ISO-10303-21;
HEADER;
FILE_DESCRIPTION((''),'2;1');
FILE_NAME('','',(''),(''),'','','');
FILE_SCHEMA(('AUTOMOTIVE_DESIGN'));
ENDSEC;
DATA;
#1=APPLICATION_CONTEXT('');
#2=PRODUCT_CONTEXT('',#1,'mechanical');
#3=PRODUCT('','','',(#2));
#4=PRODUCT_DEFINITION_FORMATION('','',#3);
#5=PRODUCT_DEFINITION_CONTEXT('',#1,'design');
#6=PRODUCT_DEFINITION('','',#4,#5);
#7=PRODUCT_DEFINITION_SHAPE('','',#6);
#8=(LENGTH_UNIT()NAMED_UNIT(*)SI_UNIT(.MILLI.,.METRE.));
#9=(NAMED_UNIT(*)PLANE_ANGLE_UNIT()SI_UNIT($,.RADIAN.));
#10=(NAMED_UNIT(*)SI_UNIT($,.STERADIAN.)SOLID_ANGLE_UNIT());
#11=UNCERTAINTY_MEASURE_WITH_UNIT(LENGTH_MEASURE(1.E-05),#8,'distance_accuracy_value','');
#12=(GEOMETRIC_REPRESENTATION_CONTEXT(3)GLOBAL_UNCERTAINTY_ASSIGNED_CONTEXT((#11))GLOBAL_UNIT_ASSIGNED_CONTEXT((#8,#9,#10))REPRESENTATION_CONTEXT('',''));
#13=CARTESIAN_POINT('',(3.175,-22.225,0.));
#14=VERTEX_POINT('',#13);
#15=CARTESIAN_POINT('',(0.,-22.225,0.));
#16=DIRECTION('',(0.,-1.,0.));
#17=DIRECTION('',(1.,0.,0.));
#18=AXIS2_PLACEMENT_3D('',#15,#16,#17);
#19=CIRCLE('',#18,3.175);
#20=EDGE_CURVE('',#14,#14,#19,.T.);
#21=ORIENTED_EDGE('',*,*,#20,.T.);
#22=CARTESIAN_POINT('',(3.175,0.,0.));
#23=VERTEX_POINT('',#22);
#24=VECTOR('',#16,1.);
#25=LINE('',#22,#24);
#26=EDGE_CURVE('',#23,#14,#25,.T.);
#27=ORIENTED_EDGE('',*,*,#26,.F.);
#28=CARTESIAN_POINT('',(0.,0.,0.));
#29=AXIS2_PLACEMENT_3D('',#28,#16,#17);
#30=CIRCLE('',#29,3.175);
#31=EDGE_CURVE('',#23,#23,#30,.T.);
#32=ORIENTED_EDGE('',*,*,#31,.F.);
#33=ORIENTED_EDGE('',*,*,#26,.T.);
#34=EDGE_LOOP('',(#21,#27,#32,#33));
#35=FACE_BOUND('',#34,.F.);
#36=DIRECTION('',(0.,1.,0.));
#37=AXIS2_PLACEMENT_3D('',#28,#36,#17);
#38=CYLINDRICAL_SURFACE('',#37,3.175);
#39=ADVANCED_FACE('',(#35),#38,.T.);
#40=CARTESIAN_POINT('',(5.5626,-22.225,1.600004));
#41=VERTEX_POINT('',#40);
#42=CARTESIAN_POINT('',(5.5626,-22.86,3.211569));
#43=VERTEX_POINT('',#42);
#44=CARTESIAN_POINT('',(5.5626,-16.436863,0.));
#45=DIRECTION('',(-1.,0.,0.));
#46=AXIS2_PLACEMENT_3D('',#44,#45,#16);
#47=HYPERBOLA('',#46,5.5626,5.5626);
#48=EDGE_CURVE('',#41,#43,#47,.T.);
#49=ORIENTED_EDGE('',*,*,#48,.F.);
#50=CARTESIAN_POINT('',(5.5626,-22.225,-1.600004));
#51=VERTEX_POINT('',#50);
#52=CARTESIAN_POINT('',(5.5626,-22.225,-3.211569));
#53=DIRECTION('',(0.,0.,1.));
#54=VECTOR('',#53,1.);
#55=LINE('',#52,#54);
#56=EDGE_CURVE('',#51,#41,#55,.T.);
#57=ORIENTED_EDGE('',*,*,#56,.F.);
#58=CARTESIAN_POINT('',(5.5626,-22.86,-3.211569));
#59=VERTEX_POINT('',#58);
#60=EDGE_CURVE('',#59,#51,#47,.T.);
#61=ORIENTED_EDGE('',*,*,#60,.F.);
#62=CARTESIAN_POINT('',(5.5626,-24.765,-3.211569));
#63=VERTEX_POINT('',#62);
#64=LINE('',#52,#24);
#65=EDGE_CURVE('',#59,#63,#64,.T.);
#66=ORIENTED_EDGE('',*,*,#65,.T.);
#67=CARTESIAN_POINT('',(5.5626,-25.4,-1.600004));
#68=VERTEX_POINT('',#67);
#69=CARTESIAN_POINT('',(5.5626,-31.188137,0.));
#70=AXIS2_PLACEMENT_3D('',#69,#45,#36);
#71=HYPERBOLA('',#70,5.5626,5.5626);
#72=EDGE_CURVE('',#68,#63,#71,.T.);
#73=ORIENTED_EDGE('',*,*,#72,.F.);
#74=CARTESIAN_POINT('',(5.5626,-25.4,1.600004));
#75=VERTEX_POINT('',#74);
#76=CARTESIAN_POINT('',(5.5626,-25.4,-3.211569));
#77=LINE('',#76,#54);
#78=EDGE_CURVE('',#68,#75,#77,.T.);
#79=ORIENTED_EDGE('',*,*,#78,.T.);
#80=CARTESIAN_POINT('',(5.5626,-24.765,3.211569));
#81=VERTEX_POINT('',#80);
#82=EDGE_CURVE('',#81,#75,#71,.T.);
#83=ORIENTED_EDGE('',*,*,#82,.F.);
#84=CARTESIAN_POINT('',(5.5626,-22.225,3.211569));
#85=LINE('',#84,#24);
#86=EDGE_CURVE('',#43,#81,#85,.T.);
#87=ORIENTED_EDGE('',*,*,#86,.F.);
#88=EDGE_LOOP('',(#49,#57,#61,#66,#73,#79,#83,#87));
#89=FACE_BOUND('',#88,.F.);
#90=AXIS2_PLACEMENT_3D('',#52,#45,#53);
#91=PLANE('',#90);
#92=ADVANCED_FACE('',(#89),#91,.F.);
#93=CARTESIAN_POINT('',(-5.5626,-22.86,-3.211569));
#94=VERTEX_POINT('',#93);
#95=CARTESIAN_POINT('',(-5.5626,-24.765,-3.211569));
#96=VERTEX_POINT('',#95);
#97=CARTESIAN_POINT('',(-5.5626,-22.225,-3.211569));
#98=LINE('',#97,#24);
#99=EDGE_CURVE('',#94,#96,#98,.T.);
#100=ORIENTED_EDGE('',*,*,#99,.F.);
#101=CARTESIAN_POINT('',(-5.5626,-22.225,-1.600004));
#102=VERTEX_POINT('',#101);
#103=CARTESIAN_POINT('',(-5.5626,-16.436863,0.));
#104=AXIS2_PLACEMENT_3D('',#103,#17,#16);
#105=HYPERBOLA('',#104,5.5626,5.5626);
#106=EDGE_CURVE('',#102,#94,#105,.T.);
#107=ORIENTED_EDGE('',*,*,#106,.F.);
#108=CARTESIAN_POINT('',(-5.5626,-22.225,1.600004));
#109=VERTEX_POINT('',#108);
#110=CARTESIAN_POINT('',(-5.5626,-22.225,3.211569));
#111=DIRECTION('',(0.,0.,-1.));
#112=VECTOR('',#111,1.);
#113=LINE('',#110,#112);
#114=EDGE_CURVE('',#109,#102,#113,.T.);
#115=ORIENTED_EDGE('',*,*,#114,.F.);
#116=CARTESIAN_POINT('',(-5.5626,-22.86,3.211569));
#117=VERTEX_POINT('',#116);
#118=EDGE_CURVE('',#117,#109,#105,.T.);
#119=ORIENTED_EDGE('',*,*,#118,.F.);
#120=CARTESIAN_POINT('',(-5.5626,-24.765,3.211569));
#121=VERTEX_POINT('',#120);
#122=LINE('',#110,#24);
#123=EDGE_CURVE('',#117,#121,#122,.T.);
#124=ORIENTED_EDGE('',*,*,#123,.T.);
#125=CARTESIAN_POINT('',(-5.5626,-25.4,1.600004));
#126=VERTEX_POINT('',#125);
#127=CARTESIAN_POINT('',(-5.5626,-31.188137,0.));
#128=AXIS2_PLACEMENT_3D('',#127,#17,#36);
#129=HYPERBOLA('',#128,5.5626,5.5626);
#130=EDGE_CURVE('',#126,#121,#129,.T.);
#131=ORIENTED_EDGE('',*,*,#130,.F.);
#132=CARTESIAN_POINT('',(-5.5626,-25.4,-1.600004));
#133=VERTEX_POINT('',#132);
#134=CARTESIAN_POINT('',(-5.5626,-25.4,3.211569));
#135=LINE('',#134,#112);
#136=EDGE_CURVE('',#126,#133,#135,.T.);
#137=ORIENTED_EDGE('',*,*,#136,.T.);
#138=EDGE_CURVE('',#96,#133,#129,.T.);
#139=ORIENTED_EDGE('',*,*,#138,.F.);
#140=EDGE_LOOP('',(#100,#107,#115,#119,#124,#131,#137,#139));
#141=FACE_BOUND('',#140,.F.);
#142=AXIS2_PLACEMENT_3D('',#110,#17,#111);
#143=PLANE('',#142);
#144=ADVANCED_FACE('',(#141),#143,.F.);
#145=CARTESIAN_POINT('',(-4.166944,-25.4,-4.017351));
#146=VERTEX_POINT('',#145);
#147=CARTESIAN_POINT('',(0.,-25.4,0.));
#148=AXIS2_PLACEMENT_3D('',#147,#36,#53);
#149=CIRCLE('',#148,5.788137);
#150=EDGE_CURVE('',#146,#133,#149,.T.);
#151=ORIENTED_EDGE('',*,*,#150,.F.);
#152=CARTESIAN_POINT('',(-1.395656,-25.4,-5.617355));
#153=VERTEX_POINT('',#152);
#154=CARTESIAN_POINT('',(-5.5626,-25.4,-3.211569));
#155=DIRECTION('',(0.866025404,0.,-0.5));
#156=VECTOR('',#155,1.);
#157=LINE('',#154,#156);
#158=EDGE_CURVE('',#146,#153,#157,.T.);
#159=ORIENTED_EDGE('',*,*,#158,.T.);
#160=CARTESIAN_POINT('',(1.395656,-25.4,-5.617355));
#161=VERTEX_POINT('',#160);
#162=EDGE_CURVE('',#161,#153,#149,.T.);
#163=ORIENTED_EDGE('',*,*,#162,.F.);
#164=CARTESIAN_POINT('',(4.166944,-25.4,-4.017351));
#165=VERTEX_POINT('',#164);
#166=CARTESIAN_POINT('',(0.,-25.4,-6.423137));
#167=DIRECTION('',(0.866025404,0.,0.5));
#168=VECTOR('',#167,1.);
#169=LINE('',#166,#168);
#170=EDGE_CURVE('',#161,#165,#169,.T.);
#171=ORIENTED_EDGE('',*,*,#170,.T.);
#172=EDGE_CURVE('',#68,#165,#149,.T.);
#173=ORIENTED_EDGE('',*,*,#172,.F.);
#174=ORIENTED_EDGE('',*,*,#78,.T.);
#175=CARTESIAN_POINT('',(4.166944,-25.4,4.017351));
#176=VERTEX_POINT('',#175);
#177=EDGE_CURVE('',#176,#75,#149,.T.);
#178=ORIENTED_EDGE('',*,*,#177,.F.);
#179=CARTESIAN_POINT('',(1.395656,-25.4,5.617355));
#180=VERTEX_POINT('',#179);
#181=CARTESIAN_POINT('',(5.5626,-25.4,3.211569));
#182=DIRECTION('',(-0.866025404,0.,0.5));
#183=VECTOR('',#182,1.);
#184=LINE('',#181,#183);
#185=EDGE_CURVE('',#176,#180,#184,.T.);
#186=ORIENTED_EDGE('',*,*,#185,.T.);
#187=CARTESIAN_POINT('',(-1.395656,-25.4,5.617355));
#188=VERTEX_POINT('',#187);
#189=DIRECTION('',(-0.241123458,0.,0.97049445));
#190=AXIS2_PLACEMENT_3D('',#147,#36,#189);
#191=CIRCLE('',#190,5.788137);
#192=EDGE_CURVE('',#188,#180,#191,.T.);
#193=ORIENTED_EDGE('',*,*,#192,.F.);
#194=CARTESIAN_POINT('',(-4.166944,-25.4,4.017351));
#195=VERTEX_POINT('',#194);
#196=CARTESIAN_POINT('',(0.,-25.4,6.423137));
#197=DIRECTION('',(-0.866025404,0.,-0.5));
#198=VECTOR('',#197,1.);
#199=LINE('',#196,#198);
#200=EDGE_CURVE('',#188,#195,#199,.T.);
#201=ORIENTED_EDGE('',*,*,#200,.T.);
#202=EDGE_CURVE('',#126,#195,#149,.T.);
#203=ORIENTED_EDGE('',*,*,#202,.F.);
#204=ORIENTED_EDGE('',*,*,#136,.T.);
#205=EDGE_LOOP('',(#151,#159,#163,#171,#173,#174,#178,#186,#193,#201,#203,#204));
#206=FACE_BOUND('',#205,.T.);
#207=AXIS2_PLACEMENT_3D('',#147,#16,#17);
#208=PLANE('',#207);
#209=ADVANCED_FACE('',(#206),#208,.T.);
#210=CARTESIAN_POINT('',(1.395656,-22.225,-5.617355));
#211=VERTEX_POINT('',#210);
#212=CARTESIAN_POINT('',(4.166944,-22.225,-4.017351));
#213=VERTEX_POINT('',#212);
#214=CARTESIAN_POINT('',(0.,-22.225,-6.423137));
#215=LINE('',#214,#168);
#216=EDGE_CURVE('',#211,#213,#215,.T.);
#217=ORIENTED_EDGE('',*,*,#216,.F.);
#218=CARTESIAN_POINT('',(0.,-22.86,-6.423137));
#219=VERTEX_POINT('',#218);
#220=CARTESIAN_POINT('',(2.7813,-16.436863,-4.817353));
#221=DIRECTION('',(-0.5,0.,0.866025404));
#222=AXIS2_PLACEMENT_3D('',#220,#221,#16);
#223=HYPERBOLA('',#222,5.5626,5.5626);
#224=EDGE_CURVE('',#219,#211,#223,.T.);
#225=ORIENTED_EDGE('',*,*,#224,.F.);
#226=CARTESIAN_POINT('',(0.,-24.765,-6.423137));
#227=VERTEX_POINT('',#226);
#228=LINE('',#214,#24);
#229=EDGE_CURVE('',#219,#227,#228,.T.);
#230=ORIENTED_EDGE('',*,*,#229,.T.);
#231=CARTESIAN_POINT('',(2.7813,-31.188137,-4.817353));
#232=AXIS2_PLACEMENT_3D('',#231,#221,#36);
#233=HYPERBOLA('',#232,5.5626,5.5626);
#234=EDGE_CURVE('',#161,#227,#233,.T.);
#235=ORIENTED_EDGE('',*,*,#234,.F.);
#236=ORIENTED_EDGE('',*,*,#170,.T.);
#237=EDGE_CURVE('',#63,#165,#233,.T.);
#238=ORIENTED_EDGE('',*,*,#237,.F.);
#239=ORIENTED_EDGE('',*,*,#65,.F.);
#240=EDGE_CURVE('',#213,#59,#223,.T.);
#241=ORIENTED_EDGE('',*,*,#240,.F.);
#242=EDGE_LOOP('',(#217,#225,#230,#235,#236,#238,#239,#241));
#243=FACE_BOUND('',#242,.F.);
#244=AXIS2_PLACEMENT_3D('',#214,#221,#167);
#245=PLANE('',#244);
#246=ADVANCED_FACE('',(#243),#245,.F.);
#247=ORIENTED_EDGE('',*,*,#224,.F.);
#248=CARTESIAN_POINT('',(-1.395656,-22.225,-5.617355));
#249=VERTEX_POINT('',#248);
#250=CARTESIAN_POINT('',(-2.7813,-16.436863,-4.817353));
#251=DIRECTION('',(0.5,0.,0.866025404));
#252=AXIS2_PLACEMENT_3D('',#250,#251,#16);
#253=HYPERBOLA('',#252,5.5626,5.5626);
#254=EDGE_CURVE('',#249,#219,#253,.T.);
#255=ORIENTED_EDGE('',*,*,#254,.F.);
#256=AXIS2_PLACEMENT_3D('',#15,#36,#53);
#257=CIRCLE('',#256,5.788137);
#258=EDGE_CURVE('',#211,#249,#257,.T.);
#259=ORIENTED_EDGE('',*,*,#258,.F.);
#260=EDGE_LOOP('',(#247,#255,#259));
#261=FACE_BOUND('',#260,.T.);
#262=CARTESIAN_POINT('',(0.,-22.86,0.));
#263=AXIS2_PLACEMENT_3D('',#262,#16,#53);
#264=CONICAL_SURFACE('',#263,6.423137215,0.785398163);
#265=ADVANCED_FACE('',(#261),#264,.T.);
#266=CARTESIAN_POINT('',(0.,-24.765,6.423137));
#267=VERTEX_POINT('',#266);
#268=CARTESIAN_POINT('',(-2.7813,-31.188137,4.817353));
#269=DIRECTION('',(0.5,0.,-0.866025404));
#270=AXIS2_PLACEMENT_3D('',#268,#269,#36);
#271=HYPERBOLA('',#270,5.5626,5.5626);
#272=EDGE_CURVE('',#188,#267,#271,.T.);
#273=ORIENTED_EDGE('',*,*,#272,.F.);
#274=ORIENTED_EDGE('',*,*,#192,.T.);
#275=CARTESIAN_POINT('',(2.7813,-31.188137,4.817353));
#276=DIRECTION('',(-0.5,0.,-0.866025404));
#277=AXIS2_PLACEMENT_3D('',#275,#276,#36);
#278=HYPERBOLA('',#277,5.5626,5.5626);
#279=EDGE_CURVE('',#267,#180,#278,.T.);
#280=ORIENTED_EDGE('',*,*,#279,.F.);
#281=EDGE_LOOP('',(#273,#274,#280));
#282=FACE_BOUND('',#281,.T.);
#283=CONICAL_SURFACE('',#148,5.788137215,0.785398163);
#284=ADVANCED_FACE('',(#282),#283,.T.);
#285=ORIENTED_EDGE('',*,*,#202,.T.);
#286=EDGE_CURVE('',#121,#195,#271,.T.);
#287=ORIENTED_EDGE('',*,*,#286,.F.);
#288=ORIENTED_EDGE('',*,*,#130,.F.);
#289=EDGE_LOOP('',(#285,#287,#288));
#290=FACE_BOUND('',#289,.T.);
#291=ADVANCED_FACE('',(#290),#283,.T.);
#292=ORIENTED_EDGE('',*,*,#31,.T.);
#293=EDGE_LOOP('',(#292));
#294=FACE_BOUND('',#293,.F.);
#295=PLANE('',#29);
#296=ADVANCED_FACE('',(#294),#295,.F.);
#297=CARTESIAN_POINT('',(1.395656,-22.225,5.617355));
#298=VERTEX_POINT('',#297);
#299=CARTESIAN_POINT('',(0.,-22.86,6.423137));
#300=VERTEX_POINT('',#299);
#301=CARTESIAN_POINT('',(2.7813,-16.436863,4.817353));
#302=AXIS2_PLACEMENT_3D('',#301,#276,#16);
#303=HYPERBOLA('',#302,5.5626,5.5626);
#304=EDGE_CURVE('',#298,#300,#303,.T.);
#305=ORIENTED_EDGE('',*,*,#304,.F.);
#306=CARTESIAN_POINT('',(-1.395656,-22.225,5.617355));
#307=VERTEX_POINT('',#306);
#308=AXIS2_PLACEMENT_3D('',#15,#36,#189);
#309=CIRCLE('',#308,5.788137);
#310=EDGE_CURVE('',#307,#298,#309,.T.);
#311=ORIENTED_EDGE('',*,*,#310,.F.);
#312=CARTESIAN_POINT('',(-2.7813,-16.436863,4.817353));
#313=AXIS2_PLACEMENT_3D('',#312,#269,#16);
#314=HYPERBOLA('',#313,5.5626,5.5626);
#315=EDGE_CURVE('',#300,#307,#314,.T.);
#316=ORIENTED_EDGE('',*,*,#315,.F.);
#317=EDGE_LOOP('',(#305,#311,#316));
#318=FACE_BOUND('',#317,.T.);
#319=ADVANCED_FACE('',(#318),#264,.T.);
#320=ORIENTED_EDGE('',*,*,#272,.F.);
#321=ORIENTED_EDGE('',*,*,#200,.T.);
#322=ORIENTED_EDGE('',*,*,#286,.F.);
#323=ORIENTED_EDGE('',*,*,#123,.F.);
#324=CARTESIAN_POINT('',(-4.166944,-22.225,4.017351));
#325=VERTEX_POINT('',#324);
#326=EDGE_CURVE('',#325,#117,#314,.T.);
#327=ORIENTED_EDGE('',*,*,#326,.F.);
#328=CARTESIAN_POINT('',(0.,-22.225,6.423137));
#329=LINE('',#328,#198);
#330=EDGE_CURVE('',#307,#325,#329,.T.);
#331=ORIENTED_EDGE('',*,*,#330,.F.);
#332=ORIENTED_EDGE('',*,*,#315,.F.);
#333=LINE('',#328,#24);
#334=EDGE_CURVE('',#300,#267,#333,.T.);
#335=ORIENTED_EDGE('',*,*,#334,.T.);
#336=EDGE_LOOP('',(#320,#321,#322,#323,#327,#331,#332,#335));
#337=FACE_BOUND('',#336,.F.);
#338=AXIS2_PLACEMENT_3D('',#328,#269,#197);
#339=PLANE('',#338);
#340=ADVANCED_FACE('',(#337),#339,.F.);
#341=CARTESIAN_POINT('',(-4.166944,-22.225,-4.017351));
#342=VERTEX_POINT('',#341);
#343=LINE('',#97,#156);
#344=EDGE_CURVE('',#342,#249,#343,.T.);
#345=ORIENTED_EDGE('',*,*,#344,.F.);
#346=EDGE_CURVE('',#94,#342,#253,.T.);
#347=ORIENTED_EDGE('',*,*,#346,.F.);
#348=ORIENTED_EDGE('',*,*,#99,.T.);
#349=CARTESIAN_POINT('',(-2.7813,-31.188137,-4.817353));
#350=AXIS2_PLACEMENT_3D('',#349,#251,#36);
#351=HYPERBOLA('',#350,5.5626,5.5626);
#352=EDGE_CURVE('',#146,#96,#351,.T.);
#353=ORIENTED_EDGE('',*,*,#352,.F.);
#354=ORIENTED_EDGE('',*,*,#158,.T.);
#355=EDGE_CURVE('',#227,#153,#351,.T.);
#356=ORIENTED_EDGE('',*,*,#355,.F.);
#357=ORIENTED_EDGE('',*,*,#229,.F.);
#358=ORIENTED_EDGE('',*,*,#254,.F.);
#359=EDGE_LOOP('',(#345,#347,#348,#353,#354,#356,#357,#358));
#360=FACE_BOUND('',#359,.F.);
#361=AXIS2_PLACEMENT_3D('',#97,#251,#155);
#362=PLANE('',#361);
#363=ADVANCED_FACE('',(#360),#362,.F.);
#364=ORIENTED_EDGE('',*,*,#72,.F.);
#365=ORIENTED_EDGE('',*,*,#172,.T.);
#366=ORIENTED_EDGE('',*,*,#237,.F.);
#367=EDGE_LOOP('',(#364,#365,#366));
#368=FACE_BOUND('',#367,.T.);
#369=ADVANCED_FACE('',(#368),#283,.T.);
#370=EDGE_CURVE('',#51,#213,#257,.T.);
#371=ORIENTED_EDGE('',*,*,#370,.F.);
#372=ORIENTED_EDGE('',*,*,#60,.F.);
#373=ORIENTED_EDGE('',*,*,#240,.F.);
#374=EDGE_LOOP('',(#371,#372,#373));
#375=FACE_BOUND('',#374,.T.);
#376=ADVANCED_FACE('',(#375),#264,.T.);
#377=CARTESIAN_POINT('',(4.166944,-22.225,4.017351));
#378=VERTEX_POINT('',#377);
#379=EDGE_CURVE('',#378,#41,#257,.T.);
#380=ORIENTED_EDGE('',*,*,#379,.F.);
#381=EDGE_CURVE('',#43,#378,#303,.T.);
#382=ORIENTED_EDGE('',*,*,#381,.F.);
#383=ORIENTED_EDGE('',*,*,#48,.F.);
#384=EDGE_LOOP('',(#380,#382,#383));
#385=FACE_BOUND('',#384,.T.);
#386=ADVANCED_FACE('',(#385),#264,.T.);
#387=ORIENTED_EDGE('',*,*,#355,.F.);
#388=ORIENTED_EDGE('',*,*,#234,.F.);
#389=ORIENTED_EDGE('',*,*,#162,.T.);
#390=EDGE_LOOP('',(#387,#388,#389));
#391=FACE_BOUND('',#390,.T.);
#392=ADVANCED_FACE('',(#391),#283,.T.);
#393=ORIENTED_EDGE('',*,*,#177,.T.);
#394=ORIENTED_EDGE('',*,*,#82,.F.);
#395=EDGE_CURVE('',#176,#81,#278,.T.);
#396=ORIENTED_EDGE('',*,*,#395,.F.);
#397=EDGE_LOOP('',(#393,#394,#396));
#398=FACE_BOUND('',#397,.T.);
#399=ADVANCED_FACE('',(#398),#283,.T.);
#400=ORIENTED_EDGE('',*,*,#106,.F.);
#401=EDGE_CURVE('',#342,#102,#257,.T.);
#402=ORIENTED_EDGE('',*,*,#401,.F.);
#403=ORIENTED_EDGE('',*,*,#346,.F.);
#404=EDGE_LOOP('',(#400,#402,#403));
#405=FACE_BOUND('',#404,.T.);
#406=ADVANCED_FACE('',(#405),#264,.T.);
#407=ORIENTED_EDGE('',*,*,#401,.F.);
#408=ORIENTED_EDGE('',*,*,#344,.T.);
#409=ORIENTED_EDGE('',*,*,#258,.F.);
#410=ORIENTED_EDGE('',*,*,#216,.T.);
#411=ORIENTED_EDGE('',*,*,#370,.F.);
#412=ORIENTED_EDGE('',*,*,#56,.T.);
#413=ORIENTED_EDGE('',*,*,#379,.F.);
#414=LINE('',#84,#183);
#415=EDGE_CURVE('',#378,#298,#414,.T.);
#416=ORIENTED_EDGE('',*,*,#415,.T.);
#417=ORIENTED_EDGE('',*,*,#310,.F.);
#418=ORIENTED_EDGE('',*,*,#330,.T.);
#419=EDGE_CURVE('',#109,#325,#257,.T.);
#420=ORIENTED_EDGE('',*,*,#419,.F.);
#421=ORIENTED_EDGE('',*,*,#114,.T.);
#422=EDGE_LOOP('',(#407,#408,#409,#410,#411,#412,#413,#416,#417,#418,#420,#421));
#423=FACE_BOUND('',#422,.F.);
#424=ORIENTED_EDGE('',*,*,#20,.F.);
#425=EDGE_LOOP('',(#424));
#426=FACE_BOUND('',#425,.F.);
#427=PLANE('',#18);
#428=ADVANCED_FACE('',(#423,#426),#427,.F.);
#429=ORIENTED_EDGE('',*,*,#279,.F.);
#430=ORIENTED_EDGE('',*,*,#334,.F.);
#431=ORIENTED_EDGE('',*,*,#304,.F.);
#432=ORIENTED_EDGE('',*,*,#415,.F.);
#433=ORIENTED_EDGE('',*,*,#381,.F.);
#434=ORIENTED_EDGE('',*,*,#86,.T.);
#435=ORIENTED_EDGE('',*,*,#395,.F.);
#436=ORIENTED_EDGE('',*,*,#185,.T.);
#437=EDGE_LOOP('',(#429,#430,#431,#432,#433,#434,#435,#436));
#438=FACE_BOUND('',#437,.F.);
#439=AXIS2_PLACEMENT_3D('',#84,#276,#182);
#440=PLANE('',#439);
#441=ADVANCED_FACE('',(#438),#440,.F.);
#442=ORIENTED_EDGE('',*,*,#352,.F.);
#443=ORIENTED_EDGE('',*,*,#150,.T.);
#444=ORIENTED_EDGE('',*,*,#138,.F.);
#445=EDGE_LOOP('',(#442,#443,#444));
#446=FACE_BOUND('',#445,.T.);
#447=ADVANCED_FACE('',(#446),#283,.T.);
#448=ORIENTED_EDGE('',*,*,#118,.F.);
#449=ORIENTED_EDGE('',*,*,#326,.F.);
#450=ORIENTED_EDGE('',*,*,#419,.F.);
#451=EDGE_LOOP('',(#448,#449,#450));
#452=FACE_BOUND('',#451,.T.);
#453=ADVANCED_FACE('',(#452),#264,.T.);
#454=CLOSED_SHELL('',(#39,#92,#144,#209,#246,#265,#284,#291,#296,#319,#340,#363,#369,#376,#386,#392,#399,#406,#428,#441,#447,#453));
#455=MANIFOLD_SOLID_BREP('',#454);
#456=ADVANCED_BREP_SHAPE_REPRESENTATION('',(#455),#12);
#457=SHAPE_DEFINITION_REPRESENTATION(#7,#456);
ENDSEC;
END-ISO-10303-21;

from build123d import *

# Parameters (mm, degrees)
F0_R     = 3.175
F1_DEPTH = 22.225
F2_R     = 3.175
F3_DEPTH = 3.175


with BuildPart() as f1:
    # F0 (on Front) → F1 (new body)
    with BuildSketch(Plane.XZ):
        Circle(F0_R)
    extrude(amount=F1_DEPTH)

    # F2 (on face) → F3 (join)
    with BuildSketch(Plane.XZ.offset(22.225)):
        Polygon((5.5626, 3.2115686074), (0, 6.4231372148), (-5.5626, 3.2115686074), (-5.5626, -3.2115686074), (0, -6.4231372148), (5.5626, -3.2115686074), align=None)
        Circle(F2_R, mode=Mode.SUBTRACT)
        Circle(F2_R)
    extrude(amount=F3_DEPTH)

    # F4 (on Right) → F5 (revolve, cut)
    with BuildSketch(Plane.YZ):
        Polygon((-24.765, 6.4231372148), (-25.4, 6.4231372148), (-25.4, 5.7881372148), align=None)
        Polygon((-22.225, 5.7881372148), (-22.225, 6.4231372148), (-22.86, 6.4231372148), align=None)
    revolve(axis=Axis((0, 0, 0), (0, 1, 0)), mode=Mode.SUBTRACT)


solid = f1.part
